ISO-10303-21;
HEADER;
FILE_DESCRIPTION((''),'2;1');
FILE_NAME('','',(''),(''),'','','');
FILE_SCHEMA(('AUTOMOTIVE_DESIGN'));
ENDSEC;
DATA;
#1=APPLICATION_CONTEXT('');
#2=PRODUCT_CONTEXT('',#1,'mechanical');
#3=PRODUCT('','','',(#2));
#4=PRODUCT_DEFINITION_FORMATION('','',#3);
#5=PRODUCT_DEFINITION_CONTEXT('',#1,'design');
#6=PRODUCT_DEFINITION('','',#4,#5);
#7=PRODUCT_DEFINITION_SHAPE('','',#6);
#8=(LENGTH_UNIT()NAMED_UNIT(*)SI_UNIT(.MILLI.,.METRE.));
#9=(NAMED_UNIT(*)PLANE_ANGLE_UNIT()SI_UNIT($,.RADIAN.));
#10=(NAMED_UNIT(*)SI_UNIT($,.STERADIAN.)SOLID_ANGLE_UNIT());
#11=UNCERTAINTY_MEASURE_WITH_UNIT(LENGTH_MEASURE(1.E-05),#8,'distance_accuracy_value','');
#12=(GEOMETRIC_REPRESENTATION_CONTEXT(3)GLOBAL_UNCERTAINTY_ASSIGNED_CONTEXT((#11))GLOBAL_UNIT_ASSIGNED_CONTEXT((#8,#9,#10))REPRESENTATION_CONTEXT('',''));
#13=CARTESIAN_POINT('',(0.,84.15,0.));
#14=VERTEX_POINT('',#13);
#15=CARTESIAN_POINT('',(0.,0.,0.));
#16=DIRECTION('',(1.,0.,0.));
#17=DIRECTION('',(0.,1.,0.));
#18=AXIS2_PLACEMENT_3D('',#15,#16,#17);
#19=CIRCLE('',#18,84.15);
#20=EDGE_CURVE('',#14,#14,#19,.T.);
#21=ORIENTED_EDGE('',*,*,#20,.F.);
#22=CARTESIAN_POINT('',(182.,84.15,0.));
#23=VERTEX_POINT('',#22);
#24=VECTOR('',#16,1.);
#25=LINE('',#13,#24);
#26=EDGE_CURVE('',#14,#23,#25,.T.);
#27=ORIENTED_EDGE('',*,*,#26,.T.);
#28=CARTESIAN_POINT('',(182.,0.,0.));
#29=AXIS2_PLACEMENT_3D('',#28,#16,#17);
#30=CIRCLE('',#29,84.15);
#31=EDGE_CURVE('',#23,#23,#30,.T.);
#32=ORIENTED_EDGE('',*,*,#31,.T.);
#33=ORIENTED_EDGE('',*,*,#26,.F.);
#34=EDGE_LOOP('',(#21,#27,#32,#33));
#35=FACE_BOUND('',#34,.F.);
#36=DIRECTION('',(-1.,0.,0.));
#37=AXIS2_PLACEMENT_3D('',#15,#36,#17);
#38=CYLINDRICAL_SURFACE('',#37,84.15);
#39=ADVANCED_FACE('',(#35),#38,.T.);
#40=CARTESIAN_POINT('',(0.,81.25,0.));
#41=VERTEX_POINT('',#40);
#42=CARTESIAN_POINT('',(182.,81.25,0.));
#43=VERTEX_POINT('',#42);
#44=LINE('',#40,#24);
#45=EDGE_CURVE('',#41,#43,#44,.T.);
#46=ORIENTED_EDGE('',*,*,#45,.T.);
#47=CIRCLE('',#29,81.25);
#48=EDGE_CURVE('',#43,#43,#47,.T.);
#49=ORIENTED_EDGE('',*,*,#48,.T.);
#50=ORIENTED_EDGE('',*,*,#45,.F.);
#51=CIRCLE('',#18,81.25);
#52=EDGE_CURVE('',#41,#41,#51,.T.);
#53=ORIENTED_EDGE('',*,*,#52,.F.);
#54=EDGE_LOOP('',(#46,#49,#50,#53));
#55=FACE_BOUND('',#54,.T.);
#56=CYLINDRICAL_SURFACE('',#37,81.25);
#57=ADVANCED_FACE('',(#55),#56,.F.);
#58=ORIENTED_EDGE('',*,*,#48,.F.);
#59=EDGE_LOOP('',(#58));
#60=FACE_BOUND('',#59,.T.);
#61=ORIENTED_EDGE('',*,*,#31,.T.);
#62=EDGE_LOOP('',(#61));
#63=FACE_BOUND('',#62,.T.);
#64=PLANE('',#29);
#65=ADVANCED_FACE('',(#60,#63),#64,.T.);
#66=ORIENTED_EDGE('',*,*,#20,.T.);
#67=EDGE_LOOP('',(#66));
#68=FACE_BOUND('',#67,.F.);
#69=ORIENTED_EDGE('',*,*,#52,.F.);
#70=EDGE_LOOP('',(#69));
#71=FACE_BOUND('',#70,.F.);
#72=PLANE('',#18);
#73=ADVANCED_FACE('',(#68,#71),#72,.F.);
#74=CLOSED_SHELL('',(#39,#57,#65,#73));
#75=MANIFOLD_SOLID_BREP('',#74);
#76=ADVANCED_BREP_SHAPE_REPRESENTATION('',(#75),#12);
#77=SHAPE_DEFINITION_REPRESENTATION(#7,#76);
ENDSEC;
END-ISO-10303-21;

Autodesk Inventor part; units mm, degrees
ref_plane "YZ Plane" through (0, 0, 0) normal (1, 0, 0) x (0, 1, 0)
ref_plane "XZ Plane" through (0, 0, 0) normal (0, 1, 0) x (-1, 0, 0)
ref_plane "XY Plane" through (0, 0, 0) normal (0, 0, 1) x (1, 0, 0)
sketch "Sketch1" plane through (0, 0, 0) normal (1, 0, 0) x (0, 1, 0)
  circle A0 centre (0, 0) radius 84.15
  circle A1 centre (0, 0) radius 81.25
  dimension "d0" = 168.3
  dimension "d1" = 2.9
extrude "Extrusion1" add sketch "Sketch1" along normal blind 182
equation "\"d0\" = OD"
equation "\"d1\" = t"
equation "\"d2\" = L"
equation "\"OD\" = 168.3"
equation "\"t\" = 2.9"
equation "\"L\" = PL"
equation "\"ID\" = 162.5"
equation "\"PL\" = 182"
equation "\"Size_Designation\" = 1.2345"
properties material "Steel"
